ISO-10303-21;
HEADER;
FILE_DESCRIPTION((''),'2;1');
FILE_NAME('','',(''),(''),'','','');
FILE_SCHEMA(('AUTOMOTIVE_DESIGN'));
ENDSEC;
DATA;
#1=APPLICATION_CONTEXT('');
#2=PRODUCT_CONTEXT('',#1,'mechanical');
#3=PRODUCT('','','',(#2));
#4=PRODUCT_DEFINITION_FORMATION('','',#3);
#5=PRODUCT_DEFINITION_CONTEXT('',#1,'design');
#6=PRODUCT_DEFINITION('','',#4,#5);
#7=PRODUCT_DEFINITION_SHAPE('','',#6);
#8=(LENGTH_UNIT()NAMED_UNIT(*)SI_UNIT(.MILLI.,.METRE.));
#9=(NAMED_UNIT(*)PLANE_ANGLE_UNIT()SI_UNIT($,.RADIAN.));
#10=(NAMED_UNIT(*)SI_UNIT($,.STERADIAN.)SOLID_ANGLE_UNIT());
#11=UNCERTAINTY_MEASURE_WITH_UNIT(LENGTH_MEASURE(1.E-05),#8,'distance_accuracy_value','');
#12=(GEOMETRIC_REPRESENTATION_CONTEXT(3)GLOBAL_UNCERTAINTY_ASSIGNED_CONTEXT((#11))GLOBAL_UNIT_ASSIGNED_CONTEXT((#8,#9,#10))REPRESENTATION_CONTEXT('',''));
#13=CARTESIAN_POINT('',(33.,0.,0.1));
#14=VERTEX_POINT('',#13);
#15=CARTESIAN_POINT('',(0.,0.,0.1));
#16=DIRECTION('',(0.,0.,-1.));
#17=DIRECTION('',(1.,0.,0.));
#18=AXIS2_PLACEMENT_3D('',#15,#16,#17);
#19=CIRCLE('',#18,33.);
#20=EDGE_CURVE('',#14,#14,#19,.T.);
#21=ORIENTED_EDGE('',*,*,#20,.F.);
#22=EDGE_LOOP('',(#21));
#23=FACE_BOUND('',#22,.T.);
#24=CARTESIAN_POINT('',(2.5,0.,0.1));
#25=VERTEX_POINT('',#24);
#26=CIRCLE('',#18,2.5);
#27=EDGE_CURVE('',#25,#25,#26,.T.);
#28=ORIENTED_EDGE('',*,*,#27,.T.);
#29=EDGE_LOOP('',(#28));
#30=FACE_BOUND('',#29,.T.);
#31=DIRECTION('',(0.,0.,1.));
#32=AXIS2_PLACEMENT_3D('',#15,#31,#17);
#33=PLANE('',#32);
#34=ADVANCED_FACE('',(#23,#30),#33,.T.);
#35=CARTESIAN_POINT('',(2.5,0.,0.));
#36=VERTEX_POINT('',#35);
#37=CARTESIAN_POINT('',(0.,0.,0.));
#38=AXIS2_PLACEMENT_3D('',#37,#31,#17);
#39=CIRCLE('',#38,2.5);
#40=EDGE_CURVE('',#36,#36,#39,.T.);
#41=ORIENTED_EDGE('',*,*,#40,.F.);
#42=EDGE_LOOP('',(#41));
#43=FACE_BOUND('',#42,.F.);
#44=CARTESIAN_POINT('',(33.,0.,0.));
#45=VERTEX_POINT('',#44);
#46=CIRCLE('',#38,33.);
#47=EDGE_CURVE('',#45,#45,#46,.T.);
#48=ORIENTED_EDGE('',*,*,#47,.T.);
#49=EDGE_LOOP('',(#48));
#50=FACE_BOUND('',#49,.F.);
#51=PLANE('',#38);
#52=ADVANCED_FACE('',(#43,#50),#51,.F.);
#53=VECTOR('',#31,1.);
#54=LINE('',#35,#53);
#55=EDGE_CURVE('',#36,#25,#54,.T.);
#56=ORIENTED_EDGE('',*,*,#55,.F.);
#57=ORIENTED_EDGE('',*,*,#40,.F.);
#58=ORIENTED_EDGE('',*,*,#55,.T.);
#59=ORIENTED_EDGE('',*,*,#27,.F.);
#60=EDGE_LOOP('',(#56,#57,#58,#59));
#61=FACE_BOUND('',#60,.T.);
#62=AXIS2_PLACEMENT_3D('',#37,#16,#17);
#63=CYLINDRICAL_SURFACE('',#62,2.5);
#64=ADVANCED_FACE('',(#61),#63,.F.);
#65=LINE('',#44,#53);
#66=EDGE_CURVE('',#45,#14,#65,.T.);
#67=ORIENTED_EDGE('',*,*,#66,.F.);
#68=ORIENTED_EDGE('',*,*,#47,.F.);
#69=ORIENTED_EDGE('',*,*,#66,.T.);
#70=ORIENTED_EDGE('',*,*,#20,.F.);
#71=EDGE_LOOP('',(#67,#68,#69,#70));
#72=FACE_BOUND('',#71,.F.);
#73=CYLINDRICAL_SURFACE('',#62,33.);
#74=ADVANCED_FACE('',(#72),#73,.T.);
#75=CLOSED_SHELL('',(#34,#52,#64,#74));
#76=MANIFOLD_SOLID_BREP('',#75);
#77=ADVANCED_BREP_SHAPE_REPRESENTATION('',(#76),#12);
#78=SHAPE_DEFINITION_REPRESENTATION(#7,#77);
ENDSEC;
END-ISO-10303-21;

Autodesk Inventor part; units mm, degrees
ref_plane "YZ Plane" through (0, 0, 0) normal (1, 0, 0) x (0, 1, 0)
ref_plane "XZ Plane" through (0, 0, 0) normal (0, 1, 0) x (-1, 0, 0)
ref_plane "XY Plane" through (0, 0, 0) normal (0, 0, 1) x (1, 0, 0)
sketch "Sketch1" plane through (0, 0, 0) normal (0, 1, 0) x (-1, 0, 0)
  circle A0 centre (0, 0) radius 32.5
  circle A1 centre (0, 0) radius 22.5
  circle A2 centre (0, 0) radius 16
  line L0 (22.5, 0) -> (32.5, 0)
  point P0 (32.4988, -0.2836)
  point P1 (22.4991, -0.1963)
  dimension "d0" = 65
  dimension "d2" = 10
  dimension "d3" = 32
extrude "Extrusion1" [suppressed]
extrude "Extrusion2" [suppressed]
pattern_circular "Circular Pattern1" [suppressed]
sketch "Sketch3" plane through (0, 0, 0) normal (0, 0, 1) x (1, 0, 0)
  circle A0 centre (0, 0) radius 33
  circle A1 centre (0, 0) radius 16.5
  circle A2 centre (0, 0) radius 2.5
  line L0 (-13.516, 9.464) -> (-31.7996, -8.8196)
  line L1 (0, 0) -> (-2.5, 0)
  line L2 (-16.1968, 3.1483) -> (-25.4631, -20.9912)
  line L3 (-16.0771, -3.7117) -> (-14.7239, -29.5332)
  line L4 (-13.1775, -9.9299) -> (-1.4387, -32.9686)
  line L5 (-7.9994, -14.4312) -> (12.0952, -30.7035)
  line L6 (-1.4381, -16.4372) -> (23.5378, -23.1295)
  line L7 (5.3719, -15.6011) -> (30.9104, -11.5561)
  line L8 (11.253, -12.0673) -> (32.9384, 2.0153)
  line L9 (15.1883, -6.4471) -> (29.271, 15.2384)
  line L10 (16.4975, 0.288) -> (20.5424, 25.8265)
  line L11 (14.9541, 6.9732) -> (8.2618, 31.9491)
  line L12 (10.825, 12.4527) -> (-5.4473, 32.5473)
  line L13 (4.8241, 15.779) -> (-18.2145, 27.5178)
  line L14 (-2.0108, 16.377) -> (-27.8323, 17.7303)
  line L15 (-8.4981, 14.1433) -> (-32.6376, 4.877)
  dimension "d21" = 66
  dimension "d27" = 33
  dimension "d28" = 5
  dimension "d29" = 45
  dimension "d32" = 360
extrude "Extrusion6" add sketch "Sketch3" along normal blind 0.1
sketch "Sketch4" plane through (0, 0, 0.1) normal (0, 0, 1) x (1, 0, 0)
  circle A0 centre (-3, -0.0066) radius 30
  circle A1 centre (-3, -0.0066) radius 16.5
  circle A2 centre (-3, -0.0066) radius 2.5
  line L0 (-3, -0.0066) -> (-5.5, -0.0066)
  circle A3 centre (0, 0) radius 33 projected
  line L1 (-32.9999, 0.0596) -> (-19.4999, 0.0596)
  line L2 (-30.4332, -12.1482) -> (-18.1003, -6.6573)
  line L3 (-23.1231, -22.2566) -> (-14.0898, -12.2241)
  line L4 (-12.3335, -28.5178) -> (-8.1617, -15.6785)
  line L5 (0.07, -29.8491) -> (-1.3411, -16.423)
  line L6 (11.9426, -26.0204) -> (5.1926, -14.329)
  line L7 (21.2315, -17.6937) -> (10.3098, -9.7585)
  line L8 (26.3306, -6.3087) -> (13.1255, -3.5019)
  line L9 (26.3581, 6.166) -> (13.153, 3.3592)
  line L10 (21.3093, 17.5734) -> (10.3876, 9.6382)
  line L11 (12.0573, 25.941) -> (5.3072, 14.2496)
  line L12 (0.2016, 29.822) -> (-1.2095, 16.3959)
  line L13 (-12.2076, 28.5455) -> (-8.0358, 15.7061)
  line L14 (-23.0247, 22.332) -> (-13.9914, 12.2995)
  line L15 (-30.3794, 12.2559) -> (-18.0465, 6.7649)
  dimension "d44" = 60
  dimension "d45" = 33
  dimension "d46" = 5
  dimension "d51" = 360
properties part number "InkrementalisFolia"
